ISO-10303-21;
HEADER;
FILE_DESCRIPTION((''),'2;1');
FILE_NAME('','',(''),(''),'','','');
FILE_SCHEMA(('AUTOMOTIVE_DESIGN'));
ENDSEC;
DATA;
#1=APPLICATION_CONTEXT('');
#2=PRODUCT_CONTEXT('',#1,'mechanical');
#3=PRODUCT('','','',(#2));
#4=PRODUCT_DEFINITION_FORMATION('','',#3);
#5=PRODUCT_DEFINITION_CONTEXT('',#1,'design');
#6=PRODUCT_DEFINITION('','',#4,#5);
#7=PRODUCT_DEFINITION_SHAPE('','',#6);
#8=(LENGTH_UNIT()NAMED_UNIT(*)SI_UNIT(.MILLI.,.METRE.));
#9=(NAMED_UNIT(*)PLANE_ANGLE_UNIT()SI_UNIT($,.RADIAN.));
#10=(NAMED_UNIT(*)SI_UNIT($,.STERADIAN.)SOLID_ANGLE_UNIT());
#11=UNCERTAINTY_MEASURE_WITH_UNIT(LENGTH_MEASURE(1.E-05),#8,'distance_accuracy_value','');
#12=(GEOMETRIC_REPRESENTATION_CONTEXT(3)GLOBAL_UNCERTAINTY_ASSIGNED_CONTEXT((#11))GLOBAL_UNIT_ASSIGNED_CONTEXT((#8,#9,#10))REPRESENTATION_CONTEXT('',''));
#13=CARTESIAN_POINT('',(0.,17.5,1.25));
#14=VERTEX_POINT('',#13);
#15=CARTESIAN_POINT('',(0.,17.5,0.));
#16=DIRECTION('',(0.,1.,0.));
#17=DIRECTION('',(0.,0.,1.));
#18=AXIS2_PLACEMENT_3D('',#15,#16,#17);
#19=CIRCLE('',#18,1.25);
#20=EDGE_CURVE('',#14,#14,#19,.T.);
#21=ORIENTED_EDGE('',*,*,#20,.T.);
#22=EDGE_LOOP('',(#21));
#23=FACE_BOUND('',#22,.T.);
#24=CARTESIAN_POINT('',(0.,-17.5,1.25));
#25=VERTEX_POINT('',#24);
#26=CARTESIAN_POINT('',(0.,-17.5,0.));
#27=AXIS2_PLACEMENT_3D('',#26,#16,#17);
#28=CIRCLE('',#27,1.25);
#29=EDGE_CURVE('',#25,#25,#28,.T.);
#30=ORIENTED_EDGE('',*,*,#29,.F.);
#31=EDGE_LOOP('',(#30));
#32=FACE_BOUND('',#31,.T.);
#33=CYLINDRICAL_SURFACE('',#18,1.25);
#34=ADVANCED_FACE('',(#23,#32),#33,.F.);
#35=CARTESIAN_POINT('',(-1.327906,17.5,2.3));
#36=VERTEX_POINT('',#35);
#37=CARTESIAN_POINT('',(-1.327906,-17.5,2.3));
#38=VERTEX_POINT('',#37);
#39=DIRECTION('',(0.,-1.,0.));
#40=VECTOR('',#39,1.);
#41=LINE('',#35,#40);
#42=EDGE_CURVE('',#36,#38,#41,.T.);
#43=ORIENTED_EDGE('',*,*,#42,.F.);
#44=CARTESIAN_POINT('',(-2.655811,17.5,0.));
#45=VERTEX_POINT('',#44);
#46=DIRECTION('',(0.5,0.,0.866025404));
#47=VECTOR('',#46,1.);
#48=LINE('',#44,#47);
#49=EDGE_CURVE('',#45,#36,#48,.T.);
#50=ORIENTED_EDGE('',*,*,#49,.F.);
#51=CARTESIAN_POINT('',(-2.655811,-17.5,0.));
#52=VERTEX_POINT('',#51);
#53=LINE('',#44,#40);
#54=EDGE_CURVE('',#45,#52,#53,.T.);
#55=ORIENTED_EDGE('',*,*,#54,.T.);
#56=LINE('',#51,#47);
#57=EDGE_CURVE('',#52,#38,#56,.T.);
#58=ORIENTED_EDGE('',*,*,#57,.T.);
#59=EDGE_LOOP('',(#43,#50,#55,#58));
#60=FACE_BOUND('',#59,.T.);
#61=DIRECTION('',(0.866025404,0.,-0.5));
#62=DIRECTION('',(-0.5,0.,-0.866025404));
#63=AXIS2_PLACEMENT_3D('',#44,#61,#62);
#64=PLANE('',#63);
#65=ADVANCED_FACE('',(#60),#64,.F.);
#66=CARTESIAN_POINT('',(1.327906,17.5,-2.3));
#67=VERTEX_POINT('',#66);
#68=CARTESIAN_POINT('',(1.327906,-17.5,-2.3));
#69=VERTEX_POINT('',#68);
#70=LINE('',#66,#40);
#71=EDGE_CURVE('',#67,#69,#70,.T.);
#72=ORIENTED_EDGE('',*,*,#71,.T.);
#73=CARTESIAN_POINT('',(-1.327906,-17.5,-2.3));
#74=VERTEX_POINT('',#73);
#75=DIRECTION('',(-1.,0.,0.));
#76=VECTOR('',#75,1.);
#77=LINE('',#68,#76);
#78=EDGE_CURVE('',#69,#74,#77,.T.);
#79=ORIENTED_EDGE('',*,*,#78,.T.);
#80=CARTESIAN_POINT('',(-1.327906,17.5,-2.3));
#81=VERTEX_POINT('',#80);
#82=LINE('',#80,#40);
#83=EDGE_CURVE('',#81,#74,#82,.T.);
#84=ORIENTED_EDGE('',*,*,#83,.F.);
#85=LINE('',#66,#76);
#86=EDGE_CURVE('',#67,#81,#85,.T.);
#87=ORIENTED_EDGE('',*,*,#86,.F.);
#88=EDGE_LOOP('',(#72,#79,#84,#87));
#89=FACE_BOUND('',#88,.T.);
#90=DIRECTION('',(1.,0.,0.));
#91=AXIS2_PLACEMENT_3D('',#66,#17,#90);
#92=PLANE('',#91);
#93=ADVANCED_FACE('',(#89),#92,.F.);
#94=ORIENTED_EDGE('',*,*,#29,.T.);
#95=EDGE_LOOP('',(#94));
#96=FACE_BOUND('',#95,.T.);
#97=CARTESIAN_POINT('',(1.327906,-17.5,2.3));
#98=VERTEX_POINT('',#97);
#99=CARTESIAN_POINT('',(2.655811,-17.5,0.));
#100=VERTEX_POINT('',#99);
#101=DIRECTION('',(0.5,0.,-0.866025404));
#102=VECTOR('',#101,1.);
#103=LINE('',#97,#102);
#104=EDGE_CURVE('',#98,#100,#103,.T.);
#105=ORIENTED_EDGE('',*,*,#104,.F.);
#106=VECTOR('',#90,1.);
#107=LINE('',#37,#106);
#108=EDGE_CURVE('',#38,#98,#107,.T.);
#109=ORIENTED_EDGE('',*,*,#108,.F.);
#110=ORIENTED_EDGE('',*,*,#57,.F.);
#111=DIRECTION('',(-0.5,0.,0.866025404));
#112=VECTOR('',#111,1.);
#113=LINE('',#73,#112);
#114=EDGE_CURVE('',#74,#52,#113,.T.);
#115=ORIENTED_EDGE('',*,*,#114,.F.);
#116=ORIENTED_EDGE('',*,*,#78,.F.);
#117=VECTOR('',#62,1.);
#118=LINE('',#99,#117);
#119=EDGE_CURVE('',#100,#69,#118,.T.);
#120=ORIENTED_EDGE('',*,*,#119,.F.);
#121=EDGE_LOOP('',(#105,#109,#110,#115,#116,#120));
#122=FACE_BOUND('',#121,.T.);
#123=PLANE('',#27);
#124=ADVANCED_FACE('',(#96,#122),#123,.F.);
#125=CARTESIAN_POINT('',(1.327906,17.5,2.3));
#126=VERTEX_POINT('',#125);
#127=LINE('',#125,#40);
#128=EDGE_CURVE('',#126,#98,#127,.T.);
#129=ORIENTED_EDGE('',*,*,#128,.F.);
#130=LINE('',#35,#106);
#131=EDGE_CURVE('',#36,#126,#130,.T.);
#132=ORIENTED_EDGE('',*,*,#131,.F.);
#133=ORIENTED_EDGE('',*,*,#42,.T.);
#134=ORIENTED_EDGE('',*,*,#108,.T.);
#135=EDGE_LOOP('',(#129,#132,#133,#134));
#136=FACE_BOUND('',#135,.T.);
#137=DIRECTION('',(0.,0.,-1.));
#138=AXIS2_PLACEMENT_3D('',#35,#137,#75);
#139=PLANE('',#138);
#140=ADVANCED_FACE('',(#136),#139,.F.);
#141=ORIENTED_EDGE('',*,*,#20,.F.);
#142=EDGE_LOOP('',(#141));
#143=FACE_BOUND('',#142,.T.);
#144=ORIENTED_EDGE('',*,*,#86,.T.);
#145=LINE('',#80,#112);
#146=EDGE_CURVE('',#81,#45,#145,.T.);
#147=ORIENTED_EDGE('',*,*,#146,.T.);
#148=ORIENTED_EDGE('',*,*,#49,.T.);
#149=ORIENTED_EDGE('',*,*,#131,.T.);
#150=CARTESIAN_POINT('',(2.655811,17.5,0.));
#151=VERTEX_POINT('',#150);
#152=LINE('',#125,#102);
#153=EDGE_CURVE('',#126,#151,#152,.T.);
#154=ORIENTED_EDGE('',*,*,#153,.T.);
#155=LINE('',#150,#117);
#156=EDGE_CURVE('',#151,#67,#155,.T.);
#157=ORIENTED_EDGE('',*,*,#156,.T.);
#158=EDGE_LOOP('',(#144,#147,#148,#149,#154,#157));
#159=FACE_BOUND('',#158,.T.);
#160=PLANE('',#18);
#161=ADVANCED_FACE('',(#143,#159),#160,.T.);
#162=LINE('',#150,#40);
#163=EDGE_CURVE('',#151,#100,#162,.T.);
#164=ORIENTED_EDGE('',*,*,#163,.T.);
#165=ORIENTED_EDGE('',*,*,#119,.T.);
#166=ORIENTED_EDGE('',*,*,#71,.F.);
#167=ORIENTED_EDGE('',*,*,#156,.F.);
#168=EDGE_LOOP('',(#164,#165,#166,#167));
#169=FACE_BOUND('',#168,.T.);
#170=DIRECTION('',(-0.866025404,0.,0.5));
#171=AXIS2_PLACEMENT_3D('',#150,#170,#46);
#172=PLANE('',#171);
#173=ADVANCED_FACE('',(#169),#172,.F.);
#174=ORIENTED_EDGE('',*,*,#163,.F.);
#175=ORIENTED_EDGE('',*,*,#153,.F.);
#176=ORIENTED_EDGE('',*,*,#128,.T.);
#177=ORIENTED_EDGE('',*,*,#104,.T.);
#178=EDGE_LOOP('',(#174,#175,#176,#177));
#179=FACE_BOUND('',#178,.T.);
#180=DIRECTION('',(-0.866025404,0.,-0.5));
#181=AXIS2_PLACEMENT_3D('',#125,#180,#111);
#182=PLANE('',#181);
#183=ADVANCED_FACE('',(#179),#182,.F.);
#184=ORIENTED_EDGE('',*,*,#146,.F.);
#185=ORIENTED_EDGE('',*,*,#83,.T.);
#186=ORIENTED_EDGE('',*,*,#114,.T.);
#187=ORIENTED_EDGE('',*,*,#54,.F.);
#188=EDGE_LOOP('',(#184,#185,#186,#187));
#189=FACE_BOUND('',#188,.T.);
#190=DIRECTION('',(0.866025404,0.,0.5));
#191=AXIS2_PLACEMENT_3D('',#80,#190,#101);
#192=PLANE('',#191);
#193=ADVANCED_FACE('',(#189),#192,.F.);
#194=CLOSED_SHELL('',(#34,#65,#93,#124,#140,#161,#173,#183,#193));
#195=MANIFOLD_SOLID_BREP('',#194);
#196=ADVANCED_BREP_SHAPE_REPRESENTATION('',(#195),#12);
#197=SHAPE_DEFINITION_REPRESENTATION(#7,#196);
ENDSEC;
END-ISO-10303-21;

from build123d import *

# Parameters (mm, degrees)
EXTRUDE_1_DEPTH = 17.5
SKETCH_3_W      = 1.25
SKETCH_3_H      = 35.001


with BuildPart() as part:
    # 草图1 → 凸台-拉伸1 (new, symmetric)
    with BuildSketch(Plane(origin=(0, 0, 0), x_dir=(1, 0, 0), z_dir=(0, 1, 0))):
        Polygon((1.327905619, -2.3), (2.655811238, 0), (1.327905619, 2.3), (-1.327905619, 2.3), (-2.655811238, 0), (-1.327905619, -2.3), align=None)
    extrude(amount=EXTRUDE_1_DEPTH, both=True)

    # 草图3 → M3 螺纹孔1 (revolve, cut)
    with BuildSketch(Plane(origin=(0, 17.5, 0), x_dir=(0, 0, 1), z_dir=(1, 0, 0))):
        with Locations((0.625, 17.5005)):
            Rectangle(SKETCH_3_W, SKETCH_3_H)
    revolve(axis=Axis((0, 23.85, 0), (0, -1, 0)), mode=Mode.SUBTRACT)


solid = part.part
